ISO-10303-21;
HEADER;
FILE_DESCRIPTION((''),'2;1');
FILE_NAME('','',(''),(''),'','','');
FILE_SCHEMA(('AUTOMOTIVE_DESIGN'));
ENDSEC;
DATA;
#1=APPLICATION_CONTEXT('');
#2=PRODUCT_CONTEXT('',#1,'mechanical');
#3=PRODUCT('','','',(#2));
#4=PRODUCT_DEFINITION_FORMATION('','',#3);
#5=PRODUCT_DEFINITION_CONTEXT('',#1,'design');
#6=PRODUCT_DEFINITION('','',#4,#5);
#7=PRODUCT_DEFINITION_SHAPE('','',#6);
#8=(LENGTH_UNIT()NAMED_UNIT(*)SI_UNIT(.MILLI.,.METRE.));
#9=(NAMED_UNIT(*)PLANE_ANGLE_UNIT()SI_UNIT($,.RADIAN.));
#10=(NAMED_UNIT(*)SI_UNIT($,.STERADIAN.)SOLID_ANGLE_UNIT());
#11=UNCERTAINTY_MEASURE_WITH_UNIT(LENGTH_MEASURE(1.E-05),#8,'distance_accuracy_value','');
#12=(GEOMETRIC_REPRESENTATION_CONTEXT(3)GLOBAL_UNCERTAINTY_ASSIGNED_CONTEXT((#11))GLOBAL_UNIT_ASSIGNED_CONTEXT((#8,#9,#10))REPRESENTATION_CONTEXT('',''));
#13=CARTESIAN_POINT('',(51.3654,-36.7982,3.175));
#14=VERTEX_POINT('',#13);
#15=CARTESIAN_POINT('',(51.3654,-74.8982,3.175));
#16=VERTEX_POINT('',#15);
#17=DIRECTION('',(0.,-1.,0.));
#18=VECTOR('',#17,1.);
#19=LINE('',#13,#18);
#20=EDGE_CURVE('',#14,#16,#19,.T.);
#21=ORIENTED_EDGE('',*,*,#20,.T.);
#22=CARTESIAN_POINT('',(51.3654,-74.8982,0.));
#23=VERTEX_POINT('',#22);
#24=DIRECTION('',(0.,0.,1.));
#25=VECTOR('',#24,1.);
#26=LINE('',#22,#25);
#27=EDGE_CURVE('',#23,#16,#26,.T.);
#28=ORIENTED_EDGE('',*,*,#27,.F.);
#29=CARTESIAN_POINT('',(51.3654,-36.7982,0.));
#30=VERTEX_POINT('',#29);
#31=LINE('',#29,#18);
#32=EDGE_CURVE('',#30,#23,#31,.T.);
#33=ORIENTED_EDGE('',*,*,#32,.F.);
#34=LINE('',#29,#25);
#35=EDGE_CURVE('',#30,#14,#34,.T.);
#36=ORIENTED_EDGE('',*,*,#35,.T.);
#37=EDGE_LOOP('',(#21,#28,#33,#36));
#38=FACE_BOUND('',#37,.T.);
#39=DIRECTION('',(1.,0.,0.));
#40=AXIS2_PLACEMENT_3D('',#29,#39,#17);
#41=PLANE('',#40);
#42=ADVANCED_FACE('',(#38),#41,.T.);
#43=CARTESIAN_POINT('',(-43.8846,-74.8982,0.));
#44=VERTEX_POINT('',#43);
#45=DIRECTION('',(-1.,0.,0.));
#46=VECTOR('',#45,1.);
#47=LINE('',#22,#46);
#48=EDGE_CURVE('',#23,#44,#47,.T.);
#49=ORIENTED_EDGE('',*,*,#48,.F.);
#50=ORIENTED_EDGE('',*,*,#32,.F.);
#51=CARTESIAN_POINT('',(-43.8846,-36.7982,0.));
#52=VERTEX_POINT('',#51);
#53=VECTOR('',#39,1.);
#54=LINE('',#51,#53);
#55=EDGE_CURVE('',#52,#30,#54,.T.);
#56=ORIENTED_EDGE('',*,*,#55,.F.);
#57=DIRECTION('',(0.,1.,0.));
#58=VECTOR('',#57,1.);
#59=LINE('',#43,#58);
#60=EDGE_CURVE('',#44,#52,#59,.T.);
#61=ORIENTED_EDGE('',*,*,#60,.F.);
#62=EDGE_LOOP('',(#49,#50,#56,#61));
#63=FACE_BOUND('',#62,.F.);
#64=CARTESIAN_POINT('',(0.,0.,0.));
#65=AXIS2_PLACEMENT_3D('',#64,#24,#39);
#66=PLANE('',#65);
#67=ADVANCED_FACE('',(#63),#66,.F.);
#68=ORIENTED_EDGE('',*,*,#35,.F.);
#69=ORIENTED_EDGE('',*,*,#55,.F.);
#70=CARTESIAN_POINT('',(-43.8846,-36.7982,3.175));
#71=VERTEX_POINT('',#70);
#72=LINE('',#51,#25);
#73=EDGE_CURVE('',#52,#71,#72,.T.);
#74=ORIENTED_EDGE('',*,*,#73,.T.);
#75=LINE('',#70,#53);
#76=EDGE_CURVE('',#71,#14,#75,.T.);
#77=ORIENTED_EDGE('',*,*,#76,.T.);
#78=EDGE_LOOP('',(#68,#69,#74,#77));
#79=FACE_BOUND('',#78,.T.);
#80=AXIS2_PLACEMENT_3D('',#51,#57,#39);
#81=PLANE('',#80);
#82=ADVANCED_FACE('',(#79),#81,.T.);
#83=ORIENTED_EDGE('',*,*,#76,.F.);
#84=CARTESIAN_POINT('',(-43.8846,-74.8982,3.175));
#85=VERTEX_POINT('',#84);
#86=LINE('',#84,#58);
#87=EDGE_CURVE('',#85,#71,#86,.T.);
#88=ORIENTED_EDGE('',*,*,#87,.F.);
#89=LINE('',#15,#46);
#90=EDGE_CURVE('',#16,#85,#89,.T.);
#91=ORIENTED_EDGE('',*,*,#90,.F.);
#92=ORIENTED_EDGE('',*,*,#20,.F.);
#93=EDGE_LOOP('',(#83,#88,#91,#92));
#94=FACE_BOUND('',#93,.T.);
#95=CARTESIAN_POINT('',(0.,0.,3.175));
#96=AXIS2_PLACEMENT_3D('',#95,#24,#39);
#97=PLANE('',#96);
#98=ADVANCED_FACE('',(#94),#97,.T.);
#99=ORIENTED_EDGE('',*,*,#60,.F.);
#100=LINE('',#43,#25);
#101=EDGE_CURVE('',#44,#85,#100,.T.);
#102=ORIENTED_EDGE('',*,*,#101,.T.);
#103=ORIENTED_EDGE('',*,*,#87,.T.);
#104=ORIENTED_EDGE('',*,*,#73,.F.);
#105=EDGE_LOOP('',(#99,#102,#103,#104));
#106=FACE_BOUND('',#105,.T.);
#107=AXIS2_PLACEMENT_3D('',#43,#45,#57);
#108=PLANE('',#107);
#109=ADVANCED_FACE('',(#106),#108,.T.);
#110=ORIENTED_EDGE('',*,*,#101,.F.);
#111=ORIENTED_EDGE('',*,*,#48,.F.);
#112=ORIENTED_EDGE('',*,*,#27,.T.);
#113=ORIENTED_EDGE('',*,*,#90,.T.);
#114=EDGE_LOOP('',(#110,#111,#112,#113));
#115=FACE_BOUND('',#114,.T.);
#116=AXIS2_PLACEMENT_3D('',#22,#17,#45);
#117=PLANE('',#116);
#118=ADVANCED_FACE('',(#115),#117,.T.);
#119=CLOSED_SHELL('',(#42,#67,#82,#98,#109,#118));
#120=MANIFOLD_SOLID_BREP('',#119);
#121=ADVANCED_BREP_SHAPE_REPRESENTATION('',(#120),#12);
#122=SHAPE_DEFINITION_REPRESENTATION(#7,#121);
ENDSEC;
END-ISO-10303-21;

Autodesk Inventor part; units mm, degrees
ref_plane "YZ Plane" through (0, 0, 0) normal (1, 0, 0) x (0, 1, 0)
ref_plane "XZ Plane" through (0, 0, 0) normal (0, 1, 0) x (-1, 0, 0)
ref_plane "XY Plane" through (0, 0, 0) normal (0, 0, 1) x (1, 0, 0)
sketch "Sketch1" plane through (0, 0, 0) normal (0, 0, 1) x (1, 0, 0)
  line L0 (-43.8846, -36.7982) -> (51.3654, -36.7982)
  line L1 (51.3654, -36.7982) -> (51.3654, -74.8982)
  line L2 (51.3654, -74.8982) -> (-43.8846, -74.8982)
  line L3 (-43.8846, -74.8982) -> (-43.8846, -36.7982)
  point P0 (0, 0)
  dimension "d0" = 95.25
  dimension "d1" = 38.1
extrude "Extrusion1" add sketch "Sketch1" along normal blind 3.175
properties part number "Yagi_Front_BackPlate_Blank"
